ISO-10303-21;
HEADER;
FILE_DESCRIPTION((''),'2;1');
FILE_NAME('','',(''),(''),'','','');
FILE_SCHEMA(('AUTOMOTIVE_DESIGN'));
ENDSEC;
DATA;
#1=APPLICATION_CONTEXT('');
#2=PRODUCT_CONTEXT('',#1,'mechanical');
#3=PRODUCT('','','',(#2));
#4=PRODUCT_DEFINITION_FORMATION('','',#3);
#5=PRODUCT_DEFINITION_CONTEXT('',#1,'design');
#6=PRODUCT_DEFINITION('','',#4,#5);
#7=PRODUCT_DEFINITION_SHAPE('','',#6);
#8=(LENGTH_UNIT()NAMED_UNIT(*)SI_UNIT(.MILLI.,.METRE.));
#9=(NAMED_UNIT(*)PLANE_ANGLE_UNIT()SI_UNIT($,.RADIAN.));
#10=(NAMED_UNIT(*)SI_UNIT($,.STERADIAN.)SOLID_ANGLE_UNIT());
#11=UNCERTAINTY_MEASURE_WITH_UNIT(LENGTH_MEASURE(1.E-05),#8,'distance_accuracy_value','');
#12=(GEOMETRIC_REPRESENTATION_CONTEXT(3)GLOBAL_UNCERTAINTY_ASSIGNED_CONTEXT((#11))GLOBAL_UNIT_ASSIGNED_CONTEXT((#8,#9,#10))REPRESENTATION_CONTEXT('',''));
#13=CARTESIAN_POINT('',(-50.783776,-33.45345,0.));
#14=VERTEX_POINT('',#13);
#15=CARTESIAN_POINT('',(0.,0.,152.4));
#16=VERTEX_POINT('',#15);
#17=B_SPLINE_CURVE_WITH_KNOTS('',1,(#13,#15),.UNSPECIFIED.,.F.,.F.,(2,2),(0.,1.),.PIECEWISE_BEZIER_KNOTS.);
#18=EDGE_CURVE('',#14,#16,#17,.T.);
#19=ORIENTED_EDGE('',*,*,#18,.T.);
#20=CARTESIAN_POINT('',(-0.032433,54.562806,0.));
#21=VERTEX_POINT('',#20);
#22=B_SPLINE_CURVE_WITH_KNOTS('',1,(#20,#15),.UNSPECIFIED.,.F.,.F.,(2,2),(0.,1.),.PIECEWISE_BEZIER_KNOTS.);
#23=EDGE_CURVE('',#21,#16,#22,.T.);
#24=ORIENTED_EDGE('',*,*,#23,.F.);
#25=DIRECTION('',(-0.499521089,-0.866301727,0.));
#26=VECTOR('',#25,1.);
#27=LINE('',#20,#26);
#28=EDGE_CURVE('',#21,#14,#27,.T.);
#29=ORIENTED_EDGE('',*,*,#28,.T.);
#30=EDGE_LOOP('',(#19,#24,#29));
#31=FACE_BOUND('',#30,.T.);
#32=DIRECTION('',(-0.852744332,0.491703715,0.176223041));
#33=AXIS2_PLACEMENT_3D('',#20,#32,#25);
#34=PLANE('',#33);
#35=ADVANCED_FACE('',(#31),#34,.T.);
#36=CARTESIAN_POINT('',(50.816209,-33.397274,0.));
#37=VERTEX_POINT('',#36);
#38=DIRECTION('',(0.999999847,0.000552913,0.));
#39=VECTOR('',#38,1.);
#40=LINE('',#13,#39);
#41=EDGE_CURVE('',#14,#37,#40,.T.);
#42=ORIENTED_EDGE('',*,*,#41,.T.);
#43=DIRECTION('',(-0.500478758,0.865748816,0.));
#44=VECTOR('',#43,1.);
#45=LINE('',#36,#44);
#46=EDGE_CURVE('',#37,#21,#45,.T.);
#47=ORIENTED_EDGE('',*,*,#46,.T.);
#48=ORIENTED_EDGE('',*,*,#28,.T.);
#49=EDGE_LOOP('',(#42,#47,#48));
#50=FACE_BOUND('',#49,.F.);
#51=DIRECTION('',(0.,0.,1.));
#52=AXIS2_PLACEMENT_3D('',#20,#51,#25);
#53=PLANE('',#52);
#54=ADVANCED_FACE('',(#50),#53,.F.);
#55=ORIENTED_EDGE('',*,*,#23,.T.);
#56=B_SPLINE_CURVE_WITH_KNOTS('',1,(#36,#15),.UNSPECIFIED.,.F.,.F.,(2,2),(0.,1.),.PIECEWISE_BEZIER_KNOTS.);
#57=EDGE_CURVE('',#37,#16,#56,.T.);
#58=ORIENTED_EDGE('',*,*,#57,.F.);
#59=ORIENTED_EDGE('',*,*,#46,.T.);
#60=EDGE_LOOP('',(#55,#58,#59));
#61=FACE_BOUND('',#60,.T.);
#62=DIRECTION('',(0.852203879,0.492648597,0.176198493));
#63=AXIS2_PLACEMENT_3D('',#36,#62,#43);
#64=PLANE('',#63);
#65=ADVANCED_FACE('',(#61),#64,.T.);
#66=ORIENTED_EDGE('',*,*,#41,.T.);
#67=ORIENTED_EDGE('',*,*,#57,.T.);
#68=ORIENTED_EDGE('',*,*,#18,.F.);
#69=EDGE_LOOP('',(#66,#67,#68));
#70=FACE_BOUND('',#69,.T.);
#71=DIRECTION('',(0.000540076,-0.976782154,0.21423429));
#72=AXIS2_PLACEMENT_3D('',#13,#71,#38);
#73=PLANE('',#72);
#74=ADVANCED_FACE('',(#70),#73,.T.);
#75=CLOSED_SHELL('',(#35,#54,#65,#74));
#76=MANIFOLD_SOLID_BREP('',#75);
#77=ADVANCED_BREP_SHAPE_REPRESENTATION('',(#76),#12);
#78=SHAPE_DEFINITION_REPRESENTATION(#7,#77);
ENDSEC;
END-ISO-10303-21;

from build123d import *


with BuildPart() as f3:
    # F0 (on Top) → F3 section 0
    with BuildSketch(Plane.XY, mode=Mode.PRIVATE) as f3_s0:
        Polygon((-0.032433, 54.562806), (-50.783776, -33.45345), (50.816209, -33.397274), align=None)
    loft([f3_s0.sketch, Vertex(0, 0, 152.4)])


solid = f3.part
